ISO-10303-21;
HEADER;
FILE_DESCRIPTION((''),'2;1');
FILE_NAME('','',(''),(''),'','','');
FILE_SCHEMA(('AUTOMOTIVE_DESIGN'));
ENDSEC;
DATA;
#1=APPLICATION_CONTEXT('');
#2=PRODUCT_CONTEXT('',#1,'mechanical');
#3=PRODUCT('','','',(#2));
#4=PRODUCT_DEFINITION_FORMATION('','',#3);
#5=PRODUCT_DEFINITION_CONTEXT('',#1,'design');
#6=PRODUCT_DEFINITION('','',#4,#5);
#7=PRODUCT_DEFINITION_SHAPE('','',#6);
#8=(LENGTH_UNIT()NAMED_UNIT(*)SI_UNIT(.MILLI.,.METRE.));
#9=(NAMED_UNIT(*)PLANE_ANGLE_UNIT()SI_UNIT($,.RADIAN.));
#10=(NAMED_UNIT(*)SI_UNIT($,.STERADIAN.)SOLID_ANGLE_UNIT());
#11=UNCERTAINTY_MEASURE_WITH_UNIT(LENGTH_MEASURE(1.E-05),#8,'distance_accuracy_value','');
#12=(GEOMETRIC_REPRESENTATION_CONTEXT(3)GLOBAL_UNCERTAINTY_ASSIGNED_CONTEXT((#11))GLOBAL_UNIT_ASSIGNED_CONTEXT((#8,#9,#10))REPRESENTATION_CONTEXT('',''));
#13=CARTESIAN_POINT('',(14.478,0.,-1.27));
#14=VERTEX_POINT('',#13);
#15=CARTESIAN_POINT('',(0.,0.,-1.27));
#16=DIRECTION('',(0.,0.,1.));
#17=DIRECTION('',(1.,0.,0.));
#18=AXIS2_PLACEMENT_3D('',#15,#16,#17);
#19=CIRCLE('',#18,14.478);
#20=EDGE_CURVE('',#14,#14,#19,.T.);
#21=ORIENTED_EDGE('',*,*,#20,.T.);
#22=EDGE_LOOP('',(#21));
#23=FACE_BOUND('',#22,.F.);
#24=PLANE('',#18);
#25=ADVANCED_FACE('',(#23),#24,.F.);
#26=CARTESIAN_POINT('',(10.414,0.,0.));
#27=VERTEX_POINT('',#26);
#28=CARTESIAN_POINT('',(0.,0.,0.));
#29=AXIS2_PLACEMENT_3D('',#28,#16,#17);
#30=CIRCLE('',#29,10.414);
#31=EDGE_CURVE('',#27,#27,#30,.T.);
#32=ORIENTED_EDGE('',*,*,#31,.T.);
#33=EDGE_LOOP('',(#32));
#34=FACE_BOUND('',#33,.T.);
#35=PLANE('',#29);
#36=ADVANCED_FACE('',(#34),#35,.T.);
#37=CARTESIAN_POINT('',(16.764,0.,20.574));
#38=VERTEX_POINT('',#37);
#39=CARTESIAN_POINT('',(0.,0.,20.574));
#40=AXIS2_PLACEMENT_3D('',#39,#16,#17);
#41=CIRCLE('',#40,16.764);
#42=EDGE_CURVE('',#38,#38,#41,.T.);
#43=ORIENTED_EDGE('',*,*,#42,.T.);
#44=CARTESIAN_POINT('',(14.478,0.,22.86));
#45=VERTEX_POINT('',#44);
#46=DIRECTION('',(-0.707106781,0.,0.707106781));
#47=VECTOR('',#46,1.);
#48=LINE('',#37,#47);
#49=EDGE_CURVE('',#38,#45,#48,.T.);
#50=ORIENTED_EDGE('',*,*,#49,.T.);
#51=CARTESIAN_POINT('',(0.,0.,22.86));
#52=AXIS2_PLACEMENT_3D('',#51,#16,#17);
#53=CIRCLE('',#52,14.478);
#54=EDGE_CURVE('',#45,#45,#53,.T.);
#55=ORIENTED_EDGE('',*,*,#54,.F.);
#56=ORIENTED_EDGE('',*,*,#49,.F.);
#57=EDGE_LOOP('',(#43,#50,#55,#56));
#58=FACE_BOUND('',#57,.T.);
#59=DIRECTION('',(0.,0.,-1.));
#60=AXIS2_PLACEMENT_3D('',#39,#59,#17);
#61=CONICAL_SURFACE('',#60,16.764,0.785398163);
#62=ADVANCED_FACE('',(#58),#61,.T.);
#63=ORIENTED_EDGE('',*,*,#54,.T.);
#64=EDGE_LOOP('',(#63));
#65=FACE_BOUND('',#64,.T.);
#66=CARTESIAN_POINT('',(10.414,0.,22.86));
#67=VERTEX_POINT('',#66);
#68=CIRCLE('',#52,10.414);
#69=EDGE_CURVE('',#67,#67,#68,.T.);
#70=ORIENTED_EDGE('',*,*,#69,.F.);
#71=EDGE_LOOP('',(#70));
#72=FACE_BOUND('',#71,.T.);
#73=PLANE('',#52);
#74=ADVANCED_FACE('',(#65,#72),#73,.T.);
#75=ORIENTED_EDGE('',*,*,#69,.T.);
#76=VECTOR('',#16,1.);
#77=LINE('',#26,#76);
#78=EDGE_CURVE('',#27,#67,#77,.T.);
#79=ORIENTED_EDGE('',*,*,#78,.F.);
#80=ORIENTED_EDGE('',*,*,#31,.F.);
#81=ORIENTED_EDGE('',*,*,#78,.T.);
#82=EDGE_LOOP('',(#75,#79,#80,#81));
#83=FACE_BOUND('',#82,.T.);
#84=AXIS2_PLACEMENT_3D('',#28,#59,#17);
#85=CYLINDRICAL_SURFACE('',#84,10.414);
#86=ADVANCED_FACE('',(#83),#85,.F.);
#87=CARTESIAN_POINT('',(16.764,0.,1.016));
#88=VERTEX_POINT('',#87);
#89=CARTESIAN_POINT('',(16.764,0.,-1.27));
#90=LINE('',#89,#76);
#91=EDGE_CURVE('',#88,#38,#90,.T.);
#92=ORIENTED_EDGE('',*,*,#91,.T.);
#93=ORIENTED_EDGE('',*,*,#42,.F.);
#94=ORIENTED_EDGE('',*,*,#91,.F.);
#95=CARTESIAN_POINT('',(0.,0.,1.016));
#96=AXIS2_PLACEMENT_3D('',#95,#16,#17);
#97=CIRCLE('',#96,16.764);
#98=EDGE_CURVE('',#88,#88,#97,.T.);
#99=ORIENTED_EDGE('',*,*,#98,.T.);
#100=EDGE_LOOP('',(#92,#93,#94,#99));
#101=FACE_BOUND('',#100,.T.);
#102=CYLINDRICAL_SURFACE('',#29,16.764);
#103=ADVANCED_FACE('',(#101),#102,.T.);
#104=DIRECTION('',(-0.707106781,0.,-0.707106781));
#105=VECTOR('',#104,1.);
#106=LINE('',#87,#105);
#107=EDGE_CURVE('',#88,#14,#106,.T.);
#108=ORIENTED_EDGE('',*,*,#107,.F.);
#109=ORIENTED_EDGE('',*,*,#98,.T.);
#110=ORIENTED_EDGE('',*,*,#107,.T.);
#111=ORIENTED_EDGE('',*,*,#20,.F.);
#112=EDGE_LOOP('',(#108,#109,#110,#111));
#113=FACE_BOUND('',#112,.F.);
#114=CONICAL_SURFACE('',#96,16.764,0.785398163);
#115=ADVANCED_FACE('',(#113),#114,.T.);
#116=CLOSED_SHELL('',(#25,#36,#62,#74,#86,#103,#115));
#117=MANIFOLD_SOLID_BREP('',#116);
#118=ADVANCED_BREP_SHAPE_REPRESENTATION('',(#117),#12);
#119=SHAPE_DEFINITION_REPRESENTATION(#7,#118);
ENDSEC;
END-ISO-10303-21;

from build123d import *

# Parameters (mm, degrees)
F0_R     = 16.764
F0_R_2   = 10.414
F1_DEPTH = 22.86
F2_DEPTH = 1.27
F3_SIZE  = 2.286


with BuildPart() as f1:
    # F0 (on Top) → F1 (new body)
    with BuildSketch(Plane.XY):
        Circle(F0_R)
        Circle(F0_R_2, mode=Mode.SUBTRACT)
    extrude(amount=F1_DEPTH)

    # F0 (on Top) → F2 (join)
    with BuildSketch(Plane.XY):
        Circle(F0_R)
        Circle(F0_R_2, mode=Mode.SUBTRACT)
        Circle(F0_R_2)
    extrude(amount=-F2_DEPTH)

    # F3
    f3_edges = [f1.edges().sort_by_distance(p)[0] for p in [
        (-16.764, 0, -1.27),
        (-16.764, 0, 22.86),
    ]]
    chamfer(f3_edges, length=F3_SIZE)


solid = f1.part
